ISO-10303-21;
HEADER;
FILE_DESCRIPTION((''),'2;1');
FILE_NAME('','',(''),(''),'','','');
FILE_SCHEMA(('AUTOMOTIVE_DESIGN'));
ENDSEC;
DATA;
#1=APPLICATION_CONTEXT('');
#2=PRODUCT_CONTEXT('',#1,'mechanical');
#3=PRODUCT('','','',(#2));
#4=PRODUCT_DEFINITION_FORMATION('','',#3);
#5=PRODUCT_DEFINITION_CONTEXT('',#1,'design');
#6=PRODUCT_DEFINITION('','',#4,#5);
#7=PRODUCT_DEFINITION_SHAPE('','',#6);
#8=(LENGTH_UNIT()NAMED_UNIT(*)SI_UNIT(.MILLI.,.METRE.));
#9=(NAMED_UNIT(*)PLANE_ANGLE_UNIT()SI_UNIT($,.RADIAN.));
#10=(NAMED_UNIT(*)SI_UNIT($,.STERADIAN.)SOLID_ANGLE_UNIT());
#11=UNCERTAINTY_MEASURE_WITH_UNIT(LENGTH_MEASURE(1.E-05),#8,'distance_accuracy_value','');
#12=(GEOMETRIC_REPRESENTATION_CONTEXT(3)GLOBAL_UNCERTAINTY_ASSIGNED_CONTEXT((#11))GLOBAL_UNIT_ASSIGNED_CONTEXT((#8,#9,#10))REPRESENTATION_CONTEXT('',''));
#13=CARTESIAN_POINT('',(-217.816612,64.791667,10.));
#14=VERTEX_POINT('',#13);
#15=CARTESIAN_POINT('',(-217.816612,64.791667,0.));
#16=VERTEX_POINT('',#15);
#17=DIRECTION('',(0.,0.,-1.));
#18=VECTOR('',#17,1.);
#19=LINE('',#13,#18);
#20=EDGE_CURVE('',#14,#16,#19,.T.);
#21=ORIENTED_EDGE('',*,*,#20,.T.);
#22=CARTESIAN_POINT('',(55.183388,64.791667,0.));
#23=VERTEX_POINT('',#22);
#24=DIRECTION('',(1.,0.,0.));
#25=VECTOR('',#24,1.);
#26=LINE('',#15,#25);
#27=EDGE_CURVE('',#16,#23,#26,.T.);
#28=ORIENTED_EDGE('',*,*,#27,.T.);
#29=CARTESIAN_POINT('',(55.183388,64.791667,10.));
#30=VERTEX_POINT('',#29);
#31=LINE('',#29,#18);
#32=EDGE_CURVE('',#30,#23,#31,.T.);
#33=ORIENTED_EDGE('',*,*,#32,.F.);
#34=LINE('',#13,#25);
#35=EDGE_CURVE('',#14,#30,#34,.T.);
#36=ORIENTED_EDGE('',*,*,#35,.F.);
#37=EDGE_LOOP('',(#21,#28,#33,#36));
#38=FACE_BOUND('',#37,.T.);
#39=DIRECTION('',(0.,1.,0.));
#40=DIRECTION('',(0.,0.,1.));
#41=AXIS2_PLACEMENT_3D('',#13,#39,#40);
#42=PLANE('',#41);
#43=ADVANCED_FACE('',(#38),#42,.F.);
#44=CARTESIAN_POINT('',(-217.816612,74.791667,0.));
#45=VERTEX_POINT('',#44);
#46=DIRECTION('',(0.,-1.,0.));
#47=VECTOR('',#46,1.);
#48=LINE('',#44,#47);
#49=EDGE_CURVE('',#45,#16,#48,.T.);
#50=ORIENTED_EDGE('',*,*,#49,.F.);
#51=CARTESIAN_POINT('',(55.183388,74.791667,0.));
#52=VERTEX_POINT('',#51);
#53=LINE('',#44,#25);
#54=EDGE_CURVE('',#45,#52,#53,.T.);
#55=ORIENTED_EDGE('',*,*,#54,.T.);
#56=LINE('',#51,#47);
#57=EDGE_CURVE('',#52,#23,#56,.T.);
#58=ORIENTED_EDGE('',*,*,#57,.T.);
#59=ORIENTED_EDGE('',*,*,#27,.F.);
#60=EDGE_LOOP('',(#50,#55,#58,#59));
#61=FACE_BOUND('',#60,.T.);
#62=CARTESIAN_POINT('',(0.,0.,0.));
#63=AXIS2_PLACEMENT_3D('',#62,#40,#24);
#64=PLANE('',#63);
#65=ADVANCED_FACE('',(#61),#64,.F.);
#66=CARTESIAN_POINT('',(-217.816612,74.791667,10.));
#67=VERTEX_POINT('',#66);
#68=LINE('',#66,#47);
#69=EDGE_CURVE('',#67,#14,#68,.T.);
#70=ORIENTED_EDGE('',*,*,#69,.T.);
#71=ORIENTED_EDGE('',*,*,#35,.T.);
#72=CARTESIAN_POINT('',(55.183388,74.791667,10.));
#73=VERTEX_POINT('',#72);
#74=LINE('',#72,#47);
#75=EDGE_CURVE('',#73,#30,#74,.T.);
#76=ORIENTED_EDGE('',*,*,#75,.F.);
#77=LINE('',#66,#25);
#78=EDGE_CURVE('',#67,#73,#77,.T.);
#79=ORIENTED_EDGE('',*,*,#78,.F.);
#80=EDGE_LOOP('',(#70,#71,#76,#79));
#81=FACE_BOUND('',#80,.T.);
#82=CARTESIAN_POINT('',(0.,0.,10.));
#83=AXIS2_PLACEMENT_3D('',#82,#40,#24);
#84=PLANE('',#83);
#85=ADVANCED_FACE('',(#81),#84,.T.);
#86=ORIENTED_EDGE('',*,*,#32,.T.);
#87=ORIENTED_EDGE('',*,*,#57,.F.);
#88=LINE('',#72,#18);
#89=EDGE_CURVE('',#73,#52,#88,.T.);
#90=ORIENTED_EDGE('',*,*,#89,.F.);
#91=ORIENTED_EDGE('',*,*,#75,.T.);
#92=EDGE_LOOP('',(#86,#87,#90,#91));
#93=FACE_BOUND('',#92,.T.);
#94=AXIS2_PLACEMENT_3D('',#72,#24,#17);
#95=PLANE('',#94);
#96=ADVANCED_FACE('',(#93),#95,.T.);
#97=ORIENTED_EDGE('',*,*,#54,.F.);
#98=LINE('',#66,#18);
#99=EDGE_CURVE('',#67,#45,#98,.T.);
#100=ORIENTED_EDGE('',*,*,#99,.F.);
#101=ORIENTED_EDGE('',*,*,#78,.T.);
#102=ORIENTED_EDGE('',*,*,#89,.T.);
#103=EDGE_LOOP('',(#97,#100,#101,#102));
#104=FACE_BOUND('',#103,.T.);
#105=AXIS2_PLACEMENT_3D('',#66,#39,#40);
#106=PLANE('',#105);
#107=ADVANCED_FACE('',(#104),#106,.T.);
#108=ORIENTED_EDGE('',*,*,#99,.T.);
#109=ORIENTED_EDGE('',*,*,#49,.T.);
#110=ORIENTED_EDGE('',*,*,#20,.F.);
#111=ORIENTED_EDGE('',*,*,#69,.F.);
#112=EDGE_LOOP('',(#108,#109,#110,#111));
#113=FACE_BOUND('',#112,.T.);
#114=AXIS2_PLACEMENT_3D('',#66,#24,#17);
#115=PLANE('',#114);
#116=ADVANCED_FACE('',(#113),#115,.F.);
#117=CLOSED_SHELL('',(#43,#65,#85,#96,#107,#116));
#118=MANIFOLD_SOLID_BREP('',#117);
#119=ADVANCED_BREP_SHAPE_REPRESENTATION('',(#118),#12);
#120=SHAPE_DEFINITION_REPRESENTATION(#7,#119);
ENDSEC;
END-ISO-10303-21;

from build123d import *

# Parameters (mm, degrees)
ESQUISSE1_W        = 273
ESQUISSE1_H        = 10
BOSS_EXTRU_1_DEPTH = 10


with BuildPart() as part:
    # Esquisse1 → Boss.-Extru.1 (new body)
    with BuildSketch(Plane.XY):
        with Locations((-81.316611842, 69.791666667)):
            Rectangle(ESQUISSE1_W, ESQUISSE1_H)
    extrude(amount=BOSS_EXTRU_1_DEPTH)


solid = part.part
